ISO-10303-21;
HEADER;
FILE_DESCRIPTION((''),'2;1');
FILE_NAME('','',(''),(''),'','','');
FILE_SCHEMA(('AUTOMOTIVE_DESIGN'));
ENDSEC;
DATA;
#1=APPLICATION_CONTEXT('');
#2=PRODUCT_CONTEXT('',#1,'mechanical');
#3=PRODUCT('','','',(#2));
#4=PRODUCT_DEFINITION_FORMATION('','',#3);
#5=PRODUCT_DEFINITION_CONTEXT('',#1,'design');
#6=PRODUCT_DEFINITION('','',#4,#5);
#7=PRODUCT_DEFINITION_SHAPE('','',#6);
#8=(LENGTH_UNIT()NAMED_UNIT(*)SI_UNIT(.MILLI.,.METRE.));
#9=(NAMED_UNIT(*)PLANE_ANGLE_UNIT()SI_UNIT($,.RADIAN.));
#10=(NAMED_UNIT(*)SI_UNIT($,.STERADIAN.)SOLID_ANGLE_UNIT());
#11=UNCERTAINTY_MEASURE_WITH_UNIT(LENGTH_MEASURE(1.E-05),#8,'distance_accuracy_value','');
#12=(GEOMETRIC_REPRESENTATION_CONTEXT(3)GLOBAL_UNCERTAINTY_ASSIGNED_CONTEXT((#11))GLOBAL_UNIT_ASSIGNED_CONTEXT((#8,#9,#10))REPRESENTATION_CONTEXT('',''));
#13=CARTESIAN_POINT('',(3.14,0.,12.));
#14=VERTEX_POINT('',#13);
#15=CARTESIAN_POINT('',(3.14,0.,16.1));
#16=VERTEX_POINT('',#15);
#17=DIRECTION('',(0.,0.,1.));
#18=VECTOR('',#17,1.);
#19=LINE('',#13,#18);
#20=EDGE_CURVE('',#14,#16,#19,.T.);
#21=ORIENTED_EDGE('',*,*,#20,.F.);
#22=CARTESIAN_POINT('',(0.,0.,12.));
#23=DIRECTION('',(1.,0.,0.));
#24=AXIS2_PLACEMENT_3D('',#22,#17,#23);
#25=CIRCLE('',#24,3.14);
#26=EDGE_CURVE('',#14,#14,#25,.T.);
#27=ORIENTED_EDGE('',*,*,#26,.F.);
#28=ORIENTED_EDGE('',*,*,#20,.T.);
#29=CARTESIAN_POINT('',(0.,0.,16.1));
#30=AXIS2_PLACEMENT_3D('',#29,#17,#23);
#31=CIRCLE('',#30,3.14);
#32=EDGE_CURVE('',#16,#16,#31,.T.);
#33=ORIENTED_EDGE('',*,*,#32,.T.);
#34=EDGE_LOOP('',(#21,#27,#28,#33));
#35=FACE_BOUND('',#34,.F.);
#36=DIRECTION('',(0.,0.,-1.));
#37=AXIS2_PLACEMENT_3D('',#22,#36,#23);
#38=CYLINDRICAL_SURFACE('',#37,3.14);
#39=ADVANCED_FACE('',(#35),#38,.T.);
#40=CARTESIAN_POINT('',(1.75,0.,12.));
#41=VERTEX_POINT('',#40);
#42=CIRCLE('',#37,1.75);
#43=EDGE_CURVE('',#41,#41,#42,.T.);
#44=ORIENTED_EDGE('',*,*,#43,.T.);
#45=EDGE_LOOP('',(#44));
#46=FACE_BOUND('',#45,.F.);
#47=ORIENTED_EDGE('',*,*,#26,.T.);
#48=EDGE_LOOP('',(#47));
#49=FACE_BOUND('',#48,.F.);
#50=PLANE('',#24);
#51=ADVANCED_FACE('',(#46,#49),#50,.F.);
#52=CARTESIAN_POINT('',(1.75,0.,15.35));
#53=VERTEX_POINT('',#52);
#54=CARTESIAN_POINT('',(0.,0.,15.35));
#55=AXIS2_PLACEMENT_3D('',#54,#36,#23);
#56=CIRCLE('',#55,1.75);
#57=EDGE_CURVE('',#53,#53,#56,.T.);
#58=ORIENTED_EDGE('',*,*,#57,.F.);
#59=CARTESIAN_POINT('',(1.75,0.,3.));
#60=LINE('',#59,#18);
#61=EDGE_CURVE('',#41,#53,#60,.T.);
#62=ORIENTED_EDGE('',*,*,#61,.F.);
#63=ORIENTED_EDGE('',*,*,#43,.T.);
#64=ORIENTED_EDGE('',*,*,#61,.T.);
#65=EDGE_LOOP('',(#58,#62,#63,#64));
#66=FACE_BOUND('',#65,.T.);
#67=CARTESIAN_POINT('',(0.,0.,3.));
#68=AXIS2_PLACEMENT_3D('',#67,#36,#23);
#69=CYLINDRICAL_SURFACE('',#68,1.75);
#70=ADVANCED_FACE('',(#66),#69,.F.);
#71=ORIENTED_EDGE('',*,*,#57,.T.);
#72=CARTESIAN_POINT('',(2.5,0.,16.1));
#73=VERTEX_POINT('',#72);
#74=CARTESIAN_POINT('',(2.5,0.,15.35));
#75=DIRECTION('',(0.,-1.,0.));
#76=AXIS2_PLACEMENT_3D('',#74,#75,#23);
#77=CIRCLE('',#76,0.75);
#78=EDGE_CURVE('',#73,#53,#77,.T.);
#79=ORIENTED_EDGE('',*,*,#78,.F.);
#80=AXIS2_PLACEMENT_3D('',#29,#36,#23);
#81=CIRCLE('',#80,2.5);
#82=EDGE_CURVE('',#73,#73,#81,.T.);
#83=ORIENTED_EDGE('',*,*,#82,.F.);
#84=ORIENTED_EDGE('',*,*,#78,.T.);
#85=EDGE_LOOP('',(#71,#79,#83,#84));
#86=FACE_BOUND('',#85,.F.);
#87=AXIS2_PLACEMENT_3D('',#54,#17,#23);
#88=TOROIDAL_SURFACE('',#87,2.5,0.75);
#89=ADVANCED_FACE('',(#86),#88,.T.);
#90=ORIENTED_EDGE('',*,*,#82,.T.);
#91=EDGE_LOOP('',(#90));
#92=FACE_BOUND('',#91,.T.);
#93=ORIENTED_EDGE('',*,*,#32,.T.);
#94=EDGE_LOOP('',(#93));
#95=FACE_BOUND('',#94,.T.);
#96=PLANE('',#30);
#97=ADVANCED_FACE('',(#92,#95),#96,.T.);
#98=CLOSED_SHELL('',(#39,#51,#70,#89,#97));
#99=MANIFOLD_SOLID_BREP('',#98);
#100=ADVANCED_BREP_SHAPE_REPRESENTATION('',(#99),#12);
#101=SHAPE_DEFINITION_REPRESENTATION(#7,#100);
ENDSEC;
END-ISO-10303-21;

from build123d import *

# Parameters (mm, degrees)
CYLINDER012_R     = 3.14
CYLINDER012_DEPTH = 4.1
CYLINDER013_R     = 1.75
CYLINDER013_DEPTH = 14
FILLET005_R       = 0.75


with BuildPart() as part:
    # Cylinder012 → Cylinder012 (join)
    with BuildSketch(Plane.XY.offset(12)):
        Circle(CYLINDER012_R)
    extrude(amount=CYLINDER012_DEPTH)

    # Cylinder013 → Cylinder013 (cut)
    with BuildSketch(Plane.XY.offset(3)):
        Circle(CYLINDER013_R)
    extrude(amount=CYLINDER013_DEPTH, mode=Mode.SUBTRACT)

    # Fillet005
    fillet005_edges = [part.edges().sort_by_distance(p)[0] for p in [
        (-1.75, 0, 16.1),
    ]]
    fillet(fillet005_edges, radius=FILLET005_R)


solid = part.part
